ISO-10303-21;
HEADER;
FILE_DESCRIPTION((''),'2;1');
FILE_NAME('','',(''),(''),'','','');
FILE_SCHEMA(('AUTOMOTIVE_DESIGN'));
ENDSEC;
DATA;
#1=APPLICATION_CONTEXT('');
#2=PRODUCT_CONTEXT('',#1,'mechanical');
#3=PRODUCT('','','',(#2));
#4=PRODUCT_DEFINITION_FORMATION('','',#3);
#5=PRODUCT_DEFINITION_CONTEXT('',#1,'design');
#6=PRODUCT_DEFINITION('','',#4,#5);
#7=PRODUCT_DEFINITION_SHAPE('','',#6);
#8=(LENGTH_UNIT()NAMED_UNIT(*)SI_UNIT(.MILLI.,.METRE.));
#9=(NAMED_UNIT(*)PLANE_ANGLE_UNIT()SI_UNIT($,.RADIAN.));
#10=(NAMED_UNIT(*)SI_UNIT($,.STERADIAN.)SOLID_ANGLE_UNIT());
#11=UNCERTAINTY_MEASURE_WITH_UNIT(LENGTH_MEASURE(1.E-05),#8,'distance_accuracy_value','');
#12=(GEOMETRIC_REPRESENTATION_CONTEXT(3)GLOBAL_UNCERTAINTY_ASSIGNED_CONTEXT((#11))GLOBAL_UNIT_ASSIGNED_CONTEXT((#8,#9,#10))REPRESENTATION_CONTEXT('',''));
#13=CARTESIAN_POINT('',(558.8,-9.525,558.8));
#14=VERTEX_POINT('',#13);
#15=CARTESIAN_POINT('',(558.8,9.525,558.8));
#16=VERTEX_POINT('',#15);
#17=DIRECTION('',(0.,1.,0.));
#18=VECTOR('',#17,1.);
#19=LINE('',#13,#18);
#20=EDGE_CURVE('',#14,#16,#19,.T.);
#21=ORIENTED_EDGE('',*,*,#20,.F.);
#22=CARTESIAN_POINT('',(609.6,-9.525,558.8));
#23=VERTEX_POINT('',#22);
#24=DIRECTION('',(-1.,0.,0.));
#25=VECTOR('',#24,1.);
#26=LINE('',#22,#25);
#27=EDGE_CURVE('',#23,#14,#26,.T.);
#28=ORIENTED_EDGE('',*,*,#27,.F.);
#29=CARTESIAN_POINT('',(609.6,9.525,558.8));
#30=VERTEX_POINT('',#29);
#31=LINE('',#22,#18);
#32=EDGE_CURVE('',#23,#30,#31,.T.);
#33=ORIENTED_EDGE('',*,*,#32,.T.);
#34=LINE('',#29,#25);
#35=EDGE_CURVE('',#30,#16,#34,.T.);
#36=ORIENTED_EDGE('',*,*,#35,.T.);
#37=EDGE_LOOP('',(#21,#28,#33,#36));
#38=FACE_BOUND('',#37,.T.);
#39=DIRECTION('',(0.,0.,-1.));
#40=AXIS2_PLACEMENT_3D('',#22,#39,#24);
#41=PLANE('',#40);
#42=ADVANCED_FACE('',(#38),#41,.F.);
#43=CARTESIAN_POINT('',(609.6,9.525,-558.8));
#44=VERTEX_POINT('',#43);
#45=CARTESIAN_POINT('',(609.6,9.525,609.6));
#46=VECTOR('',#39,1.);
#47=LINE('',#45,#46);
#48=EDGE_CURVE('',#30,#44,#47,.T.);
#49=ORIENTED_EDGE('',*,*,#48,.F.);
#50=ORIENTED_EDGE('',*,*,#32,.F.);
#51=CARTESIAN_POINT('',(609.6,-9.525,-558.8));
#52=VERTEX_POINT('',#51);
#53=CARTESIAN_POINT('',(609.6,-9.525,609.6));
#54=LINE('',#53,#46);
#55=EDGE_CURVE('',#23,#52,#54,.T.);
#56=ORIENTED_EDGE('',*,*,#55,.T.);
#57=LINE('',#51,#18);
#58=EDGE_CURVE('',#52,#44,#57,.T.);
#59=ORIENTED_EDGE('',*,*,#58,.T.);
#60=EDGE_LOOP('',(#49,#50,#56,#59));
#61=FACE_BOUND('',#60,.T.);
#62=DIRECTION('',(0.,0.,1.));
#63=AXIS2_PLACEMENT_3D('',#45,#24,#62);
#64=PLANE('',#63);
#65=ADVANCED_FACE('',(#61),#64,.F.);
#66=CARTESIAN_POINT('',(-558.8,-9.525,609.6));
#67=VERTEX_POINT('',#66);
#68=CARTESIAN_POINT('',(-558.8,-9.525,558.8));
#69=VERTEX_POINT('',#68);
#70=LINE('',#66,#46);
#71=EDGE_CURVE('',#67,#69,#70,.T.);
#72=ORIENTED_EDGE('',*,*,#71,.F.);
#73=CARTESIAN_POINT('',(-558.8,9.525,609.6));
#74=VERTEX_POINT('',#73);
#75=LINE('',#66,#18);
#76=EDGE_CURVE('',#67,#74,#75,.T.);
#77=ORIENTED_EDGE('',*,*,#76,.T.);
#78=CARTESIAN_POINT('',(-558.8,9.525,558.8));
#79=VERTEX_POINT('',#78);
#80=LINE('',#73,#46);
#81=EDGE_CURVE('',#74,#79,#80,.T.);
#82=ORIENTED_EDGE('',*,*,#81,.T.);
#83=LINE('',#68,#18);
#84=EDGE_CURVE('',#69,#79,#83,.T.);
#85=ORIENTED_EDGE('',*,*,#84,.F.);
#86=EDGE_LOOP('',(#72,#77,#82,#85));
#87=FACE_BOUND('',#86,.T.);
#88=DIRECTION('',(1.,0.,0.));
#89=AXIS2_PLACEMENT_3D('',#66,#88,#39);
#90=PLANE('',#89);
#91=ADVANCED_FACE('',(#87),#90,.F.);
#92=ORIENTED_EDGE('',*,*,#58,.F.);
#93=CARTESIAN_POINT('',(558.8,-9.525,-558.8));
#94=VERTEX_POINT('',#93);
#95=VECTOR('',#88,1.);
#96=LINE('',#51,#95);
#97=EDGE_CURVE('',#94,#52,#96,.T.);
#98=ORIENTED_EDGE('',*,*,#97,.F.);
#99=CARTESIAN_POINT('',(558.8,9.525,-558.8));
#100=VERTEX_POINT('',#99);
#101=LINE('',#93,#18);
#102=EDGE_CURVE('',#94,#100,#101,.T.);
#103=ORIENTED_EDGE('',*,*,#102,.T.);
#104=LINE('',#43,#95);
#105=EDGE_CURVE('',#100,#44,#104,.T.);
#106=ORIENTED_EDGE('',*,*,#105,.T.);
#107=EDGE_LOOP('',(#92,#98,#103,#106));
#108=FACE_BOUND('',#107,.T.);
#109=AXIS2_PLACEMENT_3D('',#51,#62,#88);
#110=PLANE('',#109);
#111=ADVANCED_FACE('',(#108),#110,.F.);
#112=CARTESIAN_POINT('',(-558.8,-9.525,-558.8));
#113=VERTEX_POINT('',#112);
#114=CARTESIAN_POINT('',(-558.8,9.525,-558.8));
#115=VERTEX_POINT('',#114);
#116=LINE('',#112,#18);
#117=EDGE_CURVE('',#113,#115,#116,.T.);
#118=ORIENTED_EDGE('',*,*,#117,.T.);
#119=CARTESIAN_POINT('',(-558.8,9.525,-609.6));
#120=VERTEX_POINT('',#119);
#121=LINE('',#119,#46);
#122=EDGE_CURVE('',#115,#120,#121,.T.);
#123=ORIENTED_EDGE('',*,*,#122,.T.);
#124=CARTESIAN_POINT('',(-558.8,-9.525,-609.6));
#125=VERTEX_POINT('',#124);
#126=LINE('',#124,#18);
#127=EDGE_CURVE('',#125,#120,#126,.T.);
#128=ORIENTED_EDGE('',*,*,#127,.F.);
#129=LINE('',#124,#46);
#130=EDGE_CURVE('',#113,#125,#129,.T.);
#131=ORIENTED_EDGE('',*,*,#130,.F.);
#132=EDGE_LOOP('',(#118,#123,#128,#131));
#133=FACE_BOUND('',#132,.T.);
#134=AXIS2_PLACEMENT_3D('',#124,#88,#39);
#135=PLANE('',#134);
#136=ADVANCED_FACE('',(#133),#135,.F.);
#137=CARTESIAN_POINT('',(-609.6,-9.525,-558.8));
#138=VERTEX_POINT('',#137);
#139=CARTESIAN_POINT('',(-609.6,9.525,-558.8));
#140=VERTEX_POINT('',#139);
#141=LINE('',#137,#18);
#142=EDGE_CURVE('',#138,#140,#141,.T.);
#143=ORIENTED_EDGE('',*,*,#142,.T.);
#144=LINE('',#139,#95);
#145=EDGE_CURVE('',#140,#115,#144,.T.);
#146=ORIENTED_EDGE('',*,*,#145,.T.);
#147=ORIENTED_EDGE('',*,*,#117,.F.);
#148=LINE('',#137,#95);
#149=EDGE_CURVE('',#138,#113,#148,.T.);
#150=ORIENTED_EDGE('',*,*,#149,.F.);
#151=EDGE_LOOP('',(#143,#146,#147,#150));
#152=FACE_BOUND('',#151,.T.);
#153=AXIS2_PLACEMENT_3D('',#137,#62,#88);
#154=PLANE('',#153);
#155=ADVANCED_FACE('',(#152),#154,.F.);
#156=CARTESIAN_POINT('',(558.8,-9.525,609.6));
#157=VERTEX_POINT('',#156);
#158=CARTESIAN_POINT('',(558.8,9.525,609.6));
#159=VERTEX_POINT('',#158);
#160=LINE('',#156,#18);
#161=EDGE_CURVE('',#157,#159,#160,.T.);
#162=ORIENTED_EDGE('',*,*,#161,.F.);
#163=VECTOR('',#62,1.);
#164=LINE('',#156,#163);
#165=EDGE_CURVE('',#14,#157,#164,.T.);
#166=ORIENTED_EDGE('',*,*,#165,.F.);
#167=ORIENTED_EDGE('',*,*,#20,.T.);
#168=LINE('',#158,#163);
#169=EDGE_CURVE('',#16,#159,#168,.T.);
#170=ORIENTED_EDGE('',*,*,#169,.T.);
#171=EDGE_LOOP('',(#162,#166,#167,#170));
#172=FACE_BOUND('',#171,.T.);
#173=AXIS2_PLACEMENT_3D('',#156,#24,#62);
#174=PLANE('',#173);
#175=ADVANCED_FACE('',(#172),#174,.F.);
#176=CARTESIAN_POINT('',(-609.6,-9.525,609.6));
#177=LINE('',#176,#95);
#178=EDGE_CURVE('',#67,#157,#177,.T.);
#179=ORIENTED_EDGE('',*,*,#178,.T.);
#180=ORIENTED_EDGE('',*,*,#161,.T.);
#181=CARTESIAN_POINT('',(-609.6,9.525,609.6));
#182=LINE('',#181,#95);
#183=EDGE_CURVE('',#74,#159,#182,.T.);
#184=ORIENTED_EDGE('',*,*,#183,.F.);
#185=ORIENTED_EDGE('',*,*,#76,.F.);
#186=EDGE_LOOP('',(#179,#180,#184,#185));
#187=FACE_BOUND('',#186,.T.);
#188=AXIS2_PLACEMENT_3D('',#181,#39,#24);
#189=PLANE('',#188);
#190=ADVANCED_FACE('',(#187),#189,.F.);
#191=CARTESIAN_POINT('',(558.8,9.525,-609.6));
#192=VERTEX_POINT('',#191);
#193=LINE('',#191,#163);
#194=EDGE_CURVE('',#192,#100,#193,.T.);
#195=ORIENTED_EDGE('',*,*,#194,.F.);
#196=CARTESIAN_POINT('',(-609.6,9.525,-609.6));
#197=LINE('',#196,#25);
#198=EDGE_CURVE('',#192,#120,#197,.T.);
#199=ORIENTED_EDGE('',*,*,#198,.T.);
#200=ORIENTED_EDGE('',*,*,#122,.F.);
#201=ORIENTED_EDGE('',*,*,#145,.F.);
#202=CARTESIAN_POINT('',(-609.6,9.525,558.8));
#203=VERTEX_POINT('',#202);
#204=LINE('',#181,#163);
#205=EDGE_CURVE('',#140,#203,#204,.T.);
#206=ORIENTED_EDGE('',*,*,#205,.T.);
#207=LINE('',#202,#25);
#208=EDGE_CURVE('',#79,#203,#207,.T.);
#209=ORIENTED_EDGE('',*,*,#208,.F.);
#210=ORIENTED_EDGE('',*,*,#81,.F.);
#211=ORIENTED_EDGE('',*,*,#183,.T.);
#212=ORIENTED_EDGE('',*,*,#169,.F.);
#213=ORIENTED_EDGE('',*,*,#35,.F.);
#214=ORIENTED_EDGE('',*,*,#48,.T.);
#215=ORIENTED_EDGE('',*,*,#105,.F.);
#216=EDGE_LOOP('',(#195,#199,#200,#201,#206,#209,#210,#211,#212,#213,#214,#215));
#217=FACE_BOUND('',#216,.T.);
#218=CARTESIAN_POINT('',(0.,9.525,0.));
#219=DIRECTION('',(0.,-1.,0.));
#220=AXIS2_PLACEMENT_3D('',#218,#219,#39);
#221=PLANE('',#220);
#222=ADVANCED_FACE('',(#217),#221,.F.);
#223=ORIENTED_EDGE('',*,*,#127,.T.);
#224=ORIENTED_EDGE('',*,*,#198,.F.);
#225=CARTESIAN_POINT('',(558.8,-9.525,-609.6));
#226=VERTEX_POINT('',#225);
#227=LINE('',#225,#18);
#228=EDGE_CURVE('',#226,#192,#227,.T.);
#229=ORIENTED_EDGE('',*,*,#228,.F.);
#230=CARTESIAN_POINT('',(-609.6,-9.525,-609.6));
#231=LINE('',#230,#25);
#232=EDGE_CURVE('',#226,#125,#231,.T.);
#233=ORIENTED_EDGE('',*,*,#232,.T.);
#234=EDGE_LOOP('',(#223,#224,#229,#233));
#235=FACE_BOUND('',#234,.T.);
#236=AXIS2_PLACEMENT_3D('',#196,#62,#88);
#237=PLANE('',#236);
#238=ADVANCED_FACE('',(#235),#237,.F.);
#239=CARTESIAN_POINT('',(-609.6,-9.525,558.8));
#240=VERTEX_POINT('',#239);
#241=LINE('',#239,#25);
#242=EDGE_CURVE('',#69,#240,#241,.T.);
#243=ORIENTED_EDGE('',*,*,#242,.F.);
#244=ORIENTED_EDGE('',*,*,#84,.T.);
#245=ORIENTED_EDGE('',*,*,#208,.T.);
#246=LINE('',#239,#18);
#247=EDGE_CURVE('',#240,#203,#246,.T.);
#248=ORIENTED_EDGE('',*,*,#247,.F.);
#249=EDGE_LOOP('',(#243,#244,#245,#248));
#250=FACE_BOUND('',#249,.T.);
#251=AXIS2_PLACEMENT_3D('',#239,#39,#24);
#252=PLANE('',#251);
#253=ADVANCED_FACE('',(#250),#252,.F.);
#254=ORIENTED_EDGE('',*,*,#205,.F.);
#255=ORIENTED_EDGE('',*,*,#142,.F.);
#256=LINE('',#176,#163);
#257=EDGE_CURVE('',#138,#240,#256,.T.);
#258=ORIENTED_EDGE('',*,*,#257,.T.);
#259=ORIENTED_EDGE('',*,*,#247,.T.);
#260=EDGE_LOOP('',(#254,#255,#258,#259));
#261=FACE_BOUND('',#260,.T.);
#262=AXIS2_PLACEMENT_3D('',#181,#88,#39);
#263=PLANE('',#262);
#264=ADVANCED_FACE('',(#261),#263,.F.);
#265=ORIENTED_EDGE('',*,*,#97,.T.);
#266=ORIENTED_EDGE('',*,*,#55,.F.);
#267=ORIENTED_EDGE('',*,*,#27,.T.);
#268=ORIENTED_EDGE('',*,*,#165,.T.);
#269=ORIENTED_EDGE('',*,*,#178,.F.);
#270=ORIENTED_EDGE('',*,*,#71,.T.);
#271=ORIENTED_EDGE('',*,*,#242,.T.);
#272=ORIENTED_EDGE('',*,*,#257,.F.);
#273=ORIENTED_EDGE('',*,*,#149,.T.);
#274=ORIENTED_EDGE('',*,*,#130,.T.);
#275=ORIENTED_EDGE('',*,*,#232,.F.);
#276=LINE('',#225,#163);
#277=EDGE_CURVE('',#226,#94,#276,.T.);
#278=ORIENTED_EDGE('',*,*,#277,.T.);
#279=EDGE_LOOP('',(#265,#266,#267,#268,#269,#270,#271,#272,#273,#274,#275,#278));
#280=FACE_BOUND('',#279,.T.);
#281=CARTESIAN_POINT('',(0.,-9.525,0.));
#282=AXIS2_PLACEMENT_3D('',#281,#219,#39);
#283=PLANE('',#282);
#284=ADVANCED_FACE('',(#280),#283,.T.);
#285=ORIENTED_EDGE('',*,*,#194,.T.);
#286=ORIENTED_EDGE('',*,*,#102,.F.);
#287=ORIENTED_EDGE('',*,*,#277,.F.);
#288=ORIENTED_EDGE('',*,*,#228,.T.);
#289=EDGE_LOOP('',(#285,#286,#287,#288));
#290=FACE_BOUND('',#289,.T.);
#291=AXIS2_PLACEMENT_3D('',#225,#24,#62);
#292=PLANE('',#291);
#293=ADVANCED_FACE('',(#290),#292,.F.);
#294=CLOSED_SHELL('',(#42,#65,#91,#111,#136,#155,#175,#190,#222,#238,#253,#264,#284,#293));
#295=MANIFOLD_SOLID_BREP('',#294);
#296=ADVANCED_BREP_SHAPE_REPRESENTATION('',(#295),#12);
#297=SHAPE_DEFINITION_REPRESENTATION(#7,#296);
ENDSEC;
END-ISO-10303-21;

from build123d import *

# Parameters (mm, degrees)
SKETCH1_W           = 1219.2
SKETCH1_H           = 1219.2
BOSS_EXTRUDE1_DEPTH = 9.525
SKETCH2_W           = 50.8
SKETCH2_H           = 50.8
CUT_EXTRUDE1_DEPTH  = 863.315036689


with BuildPart() as part:
    # Sketch1 → Boss-Extrude1 (new, symmetric)
    with BuildSketch(Plane(origin=(0, 0, 0), x_dir=(1, 0, 0), z_dir=(0, 1, 0))):
        Rectangle(SKETCH1_W, SKETCH1_H)
    extrude(amount=BOSS_EXTRUDE1_DEPTH, both=True)

    # Sketch2 → Cut-Extrude1 (cut, through all)
    with BuildSketch(Plane(origin=(0, 9.525, 0), x_dir=(1, 0, 0), z_dir=(0, 1, 0))):
        with Locations((-584.2, 584.2)):
            Rectangle(SKETCH2_W, SKETCH2_H)
        with Locations((584.2, 584.2)):
            Rectangle(SKETCH2_W, SKETCH2_H)
        with Locations((584.2, -584.2)):
            Rectangle(SKETCH2_W, SKETCH2_H)
        with Locations((-584.2, -584.2)):
            Rectangle(SKETCH2_W, SKETCH2_H)
    extrude(amount=-CUT_EXTRUDE1_DEPTH, mode=Mode.SUBTRACT)


solid = part.part
